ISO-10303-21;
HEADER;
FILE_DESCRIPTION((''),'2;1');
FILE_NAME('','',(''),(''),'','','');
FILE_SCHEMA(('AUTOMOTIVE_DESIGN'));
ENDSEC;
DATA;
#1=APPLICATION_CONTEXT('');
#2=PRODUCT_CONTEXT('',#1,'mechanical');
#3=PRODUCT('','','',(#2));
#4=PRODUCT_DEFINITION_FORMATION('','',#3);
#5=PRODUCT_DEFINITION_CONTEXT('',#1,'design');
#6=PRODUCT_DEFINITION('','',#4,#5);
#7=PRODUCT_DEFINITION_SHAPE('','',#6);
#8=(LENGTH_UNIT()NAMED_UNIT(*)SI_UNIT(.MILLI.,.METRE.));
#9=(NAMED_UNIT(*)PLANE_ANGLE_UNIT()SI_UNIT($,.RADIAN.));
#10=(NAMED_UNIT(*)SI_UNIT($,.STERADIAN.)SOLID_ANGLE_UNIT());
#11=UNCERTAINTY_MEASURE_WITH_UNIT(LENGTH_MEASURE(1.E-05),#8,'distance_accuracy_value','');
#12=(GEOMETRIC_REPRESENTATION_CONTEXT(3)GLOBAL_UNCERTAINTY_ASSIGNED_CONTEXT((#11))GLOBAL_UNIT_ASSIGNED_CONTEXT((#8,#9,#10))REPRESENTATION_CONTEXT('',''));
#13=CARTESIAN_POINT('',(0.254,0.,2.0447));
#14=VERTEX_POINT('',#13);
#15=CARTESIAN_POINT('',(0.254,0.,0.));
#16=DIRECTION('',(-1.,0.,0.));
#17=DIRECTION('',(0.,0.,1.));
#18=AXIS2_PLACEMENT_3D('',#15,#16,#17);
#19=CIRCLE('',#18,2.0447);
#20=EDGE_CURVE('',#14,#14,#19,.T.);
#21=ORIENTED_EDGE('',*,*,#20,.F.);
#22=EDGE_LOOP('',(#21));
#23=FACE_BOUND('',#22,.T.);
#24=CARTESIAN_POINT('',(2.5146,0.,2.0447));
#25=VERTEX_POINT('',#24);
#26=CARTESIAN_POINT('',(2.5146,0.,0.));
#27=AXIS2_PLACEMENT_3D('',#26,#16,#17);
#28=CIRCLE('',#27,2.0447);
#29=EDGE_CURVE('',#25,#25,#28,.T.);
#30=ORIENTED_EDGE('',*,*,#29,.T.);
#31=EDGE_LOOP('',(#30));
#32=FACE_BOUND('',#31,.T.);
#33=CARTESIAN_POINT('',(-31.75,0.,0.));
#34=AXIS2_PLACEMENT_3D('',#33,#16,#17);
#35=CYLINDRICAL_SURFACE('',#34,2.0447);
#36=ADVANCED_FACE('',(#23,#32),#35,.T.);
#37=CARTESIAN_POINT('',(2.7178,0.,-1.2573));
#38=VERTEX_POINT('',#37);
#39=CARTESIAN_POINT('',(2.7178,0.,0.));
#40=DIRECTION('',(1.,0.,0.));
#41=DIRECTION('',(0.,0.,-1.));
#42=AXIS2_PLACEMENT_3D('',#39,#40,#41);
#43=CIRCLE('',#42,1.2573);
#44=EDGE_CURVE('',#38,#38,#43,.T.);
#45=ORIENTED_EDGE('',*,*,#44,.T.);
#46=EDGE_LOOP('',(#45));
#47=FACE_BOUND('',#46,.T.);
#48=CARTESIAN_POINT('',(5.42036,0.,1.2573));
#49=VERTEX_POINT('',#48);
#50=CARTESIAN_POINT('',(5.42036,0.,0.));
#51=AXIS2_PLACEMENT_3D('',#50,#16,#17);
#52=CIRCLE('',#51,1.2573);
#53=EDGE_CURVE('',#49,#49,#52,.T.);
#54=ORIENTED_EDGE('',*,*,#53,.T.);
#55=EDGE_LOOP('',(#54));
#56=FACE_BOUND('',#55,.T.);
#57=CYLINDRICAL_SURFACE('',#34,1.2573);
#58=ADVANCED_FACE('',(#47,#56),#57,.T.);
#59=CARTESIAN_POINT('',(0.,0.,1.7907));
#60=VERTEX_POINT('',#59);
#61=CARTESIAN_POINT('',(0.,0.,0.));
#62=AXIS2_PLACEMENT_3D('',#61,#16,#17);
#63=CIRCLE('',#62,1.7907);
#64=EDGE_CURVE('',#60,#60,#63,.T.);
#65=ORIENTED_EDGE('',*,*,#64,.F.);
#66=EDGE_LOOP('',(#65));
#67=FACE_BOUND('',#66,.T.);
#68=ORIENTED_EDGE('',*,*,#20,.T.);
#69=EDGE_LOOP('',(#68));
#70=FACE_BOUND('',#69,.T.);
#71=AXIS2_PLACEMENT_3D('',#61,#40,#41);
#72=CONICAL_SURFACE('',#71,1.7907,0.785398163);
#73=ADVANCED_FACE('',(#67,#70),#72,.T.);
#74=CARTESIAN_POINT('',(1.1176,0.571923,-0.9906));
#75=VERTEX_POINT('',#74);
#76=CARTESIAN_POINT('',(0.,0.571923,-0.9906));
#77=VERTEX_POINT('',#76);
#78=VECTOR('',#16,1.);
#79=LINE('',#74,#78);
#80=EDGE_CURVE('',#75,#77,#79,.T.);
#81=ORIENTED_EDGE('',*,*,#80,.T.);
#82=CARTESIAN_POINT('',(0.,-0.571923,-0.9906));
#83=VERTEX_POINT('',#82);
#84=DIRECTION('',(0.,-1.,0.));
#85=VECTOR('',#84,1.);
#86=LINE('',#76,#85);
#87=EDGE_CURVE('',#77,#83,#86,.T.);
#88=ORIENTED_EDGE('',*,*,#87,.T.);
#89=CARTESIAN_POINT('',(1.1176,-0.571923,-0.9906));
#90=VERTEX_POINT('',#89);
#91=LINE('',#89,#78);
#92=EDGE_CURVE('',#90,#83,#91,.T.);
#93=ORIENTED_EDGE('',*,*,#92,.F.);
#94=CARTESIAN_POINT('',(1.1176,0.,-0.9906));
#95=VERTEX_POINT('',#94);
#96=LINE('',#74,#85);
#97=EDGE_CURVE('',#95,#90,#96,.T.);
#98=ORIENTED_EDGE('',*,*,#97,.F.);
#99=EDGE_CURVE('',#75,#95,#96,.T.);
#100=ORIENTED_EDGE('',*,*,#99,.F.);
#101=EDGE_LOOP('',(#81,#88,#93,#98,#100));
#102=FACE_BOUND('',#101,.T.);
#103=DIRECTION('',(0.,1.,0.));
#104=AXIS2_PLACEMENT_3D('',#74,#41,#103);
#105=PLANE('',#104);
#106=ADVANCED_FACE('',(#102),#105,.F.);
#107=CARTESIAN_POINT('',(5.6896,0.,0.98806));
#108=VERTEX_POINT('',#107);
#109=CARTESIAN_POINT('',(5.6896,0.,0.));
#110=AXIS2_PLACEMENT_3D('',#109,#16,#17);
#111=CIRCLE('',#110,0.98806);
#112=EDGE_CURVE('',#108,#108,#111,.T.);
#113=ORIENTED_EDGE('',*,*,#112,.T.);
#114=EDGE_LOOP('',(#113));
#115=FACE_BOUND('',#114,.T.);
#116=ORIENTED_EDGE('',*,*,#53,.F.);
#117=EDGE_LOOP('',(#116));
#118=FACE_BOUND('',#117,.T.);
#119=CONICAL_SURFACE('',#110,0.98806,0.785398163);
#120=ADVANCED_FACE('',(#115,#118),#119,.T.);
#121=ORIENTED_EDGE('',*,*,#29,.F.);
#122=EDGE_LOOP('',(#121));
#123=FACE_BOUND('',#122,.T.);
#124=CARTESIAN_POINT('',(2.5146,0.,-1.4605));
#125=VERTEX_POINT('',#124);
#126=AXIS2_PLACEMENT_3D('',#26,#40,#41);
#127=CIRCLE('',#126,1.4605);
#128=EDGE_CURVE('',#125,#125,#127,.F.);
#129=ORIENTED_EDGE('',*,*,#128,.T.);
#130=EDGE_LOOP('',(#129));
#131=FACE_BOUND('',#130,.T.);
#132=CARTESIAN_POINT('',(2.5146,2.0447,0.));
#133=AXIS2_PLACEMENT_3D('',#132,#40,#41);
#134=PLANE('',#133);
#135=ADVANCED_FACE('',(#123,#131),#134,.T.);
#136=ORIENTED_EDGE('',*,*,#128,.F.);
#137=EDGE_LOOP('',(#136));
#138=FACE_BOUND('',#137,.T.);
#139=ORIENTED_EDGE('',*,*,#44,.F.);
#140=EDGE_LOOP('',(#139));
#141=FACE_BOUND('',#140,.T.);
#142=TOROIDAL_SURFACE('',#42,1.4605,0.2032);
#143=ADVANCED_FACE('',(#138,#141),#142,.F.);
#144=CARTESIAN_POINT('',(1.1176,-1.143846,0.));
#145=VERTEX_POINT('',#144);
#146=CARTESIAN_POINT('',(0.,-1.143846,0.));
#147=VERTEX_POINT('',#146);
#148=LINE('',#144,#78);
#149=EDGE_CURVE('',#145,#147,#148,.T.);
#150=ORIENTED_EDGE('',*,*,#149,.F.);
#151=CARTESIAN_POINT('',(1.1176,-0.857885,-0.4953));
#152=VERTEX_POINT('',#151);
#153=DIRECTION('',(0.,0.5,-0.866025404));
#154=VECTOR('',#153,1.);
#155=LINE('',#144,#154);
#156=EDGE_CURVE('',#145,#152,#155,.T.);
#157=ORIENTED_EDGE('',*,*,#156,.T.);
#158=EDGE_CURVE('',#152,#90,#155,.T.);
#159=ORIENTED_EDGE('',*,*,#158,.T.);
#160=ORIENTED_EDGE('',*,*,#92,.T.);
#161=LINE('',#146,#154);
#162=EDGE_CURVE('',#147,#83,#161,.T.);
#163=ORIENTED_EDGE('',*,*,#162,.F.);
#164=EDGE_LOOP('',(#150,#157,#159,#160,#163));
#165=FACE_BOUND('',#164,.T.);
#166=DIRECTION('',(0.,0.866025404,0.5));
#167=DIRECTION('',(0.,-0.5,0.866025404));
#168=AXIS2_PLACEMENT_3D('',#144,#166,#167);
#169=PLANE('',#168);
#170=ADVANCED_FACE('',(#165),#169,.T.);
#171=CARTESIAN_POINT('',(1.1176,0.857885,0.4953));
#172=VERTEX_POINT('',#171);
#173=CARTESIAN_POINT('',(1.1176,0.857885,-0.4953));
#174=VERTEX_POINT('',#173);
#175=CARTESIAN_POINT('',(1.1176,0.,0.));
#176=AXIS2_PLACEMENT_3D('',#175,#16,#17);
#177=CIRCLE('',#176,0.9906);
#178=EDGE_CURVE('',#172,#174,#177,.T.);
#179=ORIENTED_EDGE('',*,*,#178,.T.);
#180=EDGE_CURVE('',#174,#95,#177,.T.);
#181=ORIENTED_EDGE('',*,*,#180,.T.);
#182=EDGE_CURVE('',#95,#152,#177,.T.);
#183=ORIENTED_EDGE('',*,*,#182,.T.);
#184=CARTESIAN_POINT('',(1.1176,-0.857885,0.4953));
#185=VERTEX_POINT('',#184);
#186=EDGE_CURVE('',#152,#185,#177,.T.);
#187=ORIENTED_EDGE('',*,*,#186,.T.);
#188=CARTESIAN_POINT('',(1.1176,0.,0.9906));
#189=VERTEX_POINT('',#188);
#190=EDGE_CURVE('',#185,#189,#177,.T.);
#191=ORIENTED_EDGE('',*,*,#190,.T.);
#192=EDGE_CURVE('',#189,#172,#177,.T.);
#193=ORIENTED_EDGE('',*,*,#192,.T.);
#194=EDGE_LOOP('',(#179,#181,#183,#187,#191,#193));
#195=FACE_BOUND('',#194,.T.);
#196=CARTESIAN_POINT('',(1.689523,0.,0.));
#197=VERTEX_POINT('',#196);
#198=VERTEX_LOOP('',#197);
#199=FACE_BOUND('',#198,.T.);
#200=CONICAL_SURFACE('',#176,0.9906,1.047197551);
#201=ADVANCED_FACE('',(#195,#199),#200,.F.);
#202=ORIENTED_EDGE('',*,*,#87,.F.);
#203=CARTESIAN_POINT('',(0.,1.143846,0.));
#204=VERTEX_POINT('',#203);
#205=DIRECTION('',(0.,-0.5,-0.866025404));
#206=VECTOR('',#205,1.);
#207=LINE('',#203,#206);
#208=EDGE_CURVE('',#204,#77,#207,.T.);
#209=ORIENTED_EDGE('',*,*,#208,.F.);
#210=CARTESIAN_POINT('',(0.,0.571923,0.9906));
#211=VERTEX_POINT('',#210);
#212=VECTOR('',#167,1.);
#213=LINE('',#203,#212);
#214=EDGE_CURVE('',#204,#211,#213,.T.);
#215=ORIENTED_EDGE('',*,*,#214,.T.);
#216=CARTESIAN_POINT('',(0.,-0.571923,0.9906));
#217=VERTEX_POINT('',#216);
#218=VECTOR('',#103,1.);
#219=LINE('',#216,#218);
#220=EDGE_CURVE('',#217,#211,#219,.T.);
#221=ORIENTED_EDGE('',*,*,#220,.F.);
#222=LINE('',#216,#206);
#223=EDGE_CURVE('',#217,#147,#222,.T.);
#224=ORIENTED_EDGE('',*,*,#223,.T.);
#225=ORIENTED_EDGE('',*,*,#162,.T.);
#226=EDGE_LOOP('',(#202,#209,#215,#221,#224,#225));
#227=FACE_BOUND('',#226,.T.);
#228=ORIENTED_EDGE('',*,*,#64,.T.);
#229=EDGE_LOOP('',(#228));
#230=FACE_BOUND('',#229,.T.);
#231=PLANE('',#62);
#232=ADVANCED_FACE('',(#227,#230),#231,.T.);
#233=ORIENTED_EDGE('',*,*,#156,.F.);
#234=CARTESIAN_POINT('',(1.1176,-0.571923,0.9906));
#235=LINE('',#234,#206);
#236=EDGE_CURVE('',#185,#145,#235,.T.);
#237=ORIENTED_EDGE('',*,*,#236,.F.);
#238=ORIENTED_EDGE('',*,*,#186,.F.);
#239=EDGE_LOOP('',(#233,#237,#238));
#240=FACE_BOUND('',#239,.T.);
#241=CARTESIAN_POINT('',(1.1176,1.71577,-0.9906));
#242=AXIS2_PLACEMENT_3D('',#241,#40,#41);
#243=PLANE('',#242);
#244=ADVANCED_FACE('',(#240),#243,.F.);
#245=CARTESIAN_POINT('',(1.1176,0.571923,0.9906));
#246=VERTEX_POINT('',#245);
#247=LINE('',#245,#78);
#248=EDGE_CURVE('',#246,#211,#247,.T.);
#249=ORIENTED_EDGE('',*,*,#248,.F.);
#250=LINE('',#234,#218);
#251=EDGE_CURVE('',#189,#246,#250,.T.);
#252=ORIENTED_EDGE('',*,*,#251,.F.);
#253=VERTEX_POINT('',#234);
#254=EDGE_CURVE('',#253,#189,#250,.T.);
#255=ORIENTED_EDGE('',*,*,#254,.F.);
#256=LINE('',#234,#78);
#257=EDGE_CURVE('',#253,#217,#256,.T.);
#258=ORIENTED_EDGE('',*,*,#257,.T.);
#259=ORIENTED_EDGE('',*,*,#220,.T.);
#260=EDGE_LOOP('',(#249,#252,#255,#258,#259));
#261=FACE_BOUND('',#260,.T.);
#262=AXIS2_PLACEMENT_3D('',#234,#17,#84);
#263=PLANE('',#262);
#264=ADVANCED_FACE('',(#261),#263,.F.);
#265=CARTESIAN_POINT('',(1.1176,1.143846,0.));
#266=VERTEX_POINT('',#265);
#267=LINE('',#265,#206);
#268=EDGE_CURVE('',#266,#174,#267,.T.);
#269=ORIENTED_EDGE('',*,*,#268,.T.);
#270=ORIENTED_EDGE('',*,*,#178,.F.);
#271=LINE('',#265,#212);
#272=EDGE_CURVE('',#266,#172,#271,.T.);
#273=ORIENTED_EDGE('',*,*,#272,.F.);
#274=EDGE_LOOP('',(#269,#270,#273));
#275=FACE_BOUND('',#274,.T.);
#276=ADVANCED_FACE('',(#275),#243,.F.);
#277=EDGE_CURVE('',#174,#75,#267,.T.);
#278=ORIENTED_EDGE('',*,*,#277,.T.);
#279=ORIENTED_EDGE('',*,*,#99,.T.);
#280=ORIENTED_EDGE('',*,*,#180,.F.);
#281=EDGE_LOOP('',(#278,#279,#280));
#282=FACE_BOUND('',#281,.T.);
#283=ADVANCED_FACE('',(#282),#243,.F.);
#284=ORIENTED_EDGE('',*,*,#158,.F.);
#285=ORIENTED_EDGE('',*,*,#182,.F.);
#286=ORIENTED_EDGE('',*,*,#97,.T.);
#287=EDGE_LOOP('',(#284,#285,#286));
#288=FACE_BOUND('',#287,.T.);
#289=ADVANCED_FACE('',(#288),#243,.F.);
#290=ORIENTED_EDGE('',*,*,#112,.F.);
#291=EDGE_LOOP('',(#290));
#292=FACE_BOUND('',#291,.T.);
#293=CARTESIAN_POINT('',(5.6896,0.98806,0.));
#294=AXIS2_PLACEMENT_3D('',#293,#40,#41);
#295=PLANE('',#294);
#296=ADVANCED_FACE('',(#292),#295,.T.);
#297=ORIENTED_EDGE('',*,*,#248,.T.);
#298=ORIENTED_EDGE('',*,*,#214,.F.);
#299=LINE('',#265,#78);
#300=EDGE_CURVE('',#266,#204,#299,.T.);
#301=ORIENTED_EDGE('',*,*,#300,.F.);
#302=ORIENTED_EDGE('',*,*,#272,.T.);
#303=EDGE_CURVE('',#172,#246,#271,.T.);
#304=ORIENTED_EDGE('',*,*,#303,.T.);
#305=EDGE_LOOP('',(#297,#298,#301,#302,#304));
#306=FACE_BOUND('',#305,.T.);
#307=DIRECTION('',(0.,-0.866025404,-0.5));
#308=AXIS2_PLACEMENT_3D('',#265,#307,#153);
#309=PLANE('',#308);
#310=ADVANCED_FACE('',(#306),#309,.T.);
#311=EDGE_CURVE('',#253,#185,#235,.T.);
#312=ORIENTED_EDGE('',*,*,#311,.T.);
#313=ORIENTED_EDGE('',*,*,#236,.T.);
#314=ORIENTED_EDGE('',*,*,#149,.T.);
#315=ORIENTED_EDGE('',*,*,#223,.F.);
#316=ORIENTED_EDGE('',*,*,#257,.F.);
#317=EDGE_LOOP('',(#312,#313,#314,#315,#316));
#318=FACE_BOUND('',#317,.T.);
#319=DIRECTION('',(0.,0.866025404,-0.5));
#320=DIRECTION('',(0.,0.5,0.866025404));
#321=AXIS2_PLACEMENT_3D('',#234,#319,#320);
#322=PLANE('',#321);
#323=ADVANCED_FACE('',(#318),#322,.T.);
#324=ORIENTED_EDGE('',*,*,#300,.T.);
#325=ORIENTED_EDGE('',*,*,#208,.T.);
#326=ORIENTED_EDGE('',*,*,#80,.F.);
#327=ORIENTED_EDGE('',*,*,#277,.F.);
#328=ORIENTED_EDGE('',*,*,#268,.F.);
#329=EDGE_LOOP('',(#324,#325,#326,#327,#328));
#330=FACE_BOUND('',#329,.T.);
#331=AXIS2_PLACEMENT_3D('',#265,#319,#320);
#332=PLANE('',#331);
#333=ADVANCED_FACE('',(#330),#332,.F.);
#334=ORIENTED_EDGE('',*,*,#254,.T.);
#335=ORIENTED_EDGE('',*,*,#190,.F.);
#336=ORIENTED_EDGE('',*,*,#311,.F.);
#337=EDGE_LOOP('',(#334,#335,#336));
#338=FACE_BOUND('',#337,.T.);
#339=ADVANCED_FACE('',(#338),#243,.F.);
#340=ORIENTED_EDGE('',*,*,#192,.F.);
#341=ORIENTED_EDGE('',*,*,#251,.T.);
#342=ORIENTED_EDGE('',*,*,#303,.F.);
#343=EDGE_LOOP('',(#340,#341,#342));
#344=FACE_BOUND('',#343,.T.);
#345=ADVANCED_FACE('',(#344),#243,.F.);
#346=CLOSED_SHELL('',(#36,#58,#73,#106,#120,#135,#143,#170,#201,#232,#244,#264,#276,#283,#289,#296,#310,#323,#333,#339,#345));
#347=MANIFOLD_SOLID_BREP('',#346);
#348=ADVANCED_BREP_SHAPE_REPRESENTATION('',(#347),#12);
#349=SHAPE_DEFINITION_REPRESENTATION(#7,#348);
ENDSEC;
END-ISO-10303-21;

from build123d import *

# Parameters (mm, degrees)
FILLET1_R   = 0.2032
HEX_2_DEPTH = 1.1176


with BuildPart() as part:
    # BodySke → Base-Revolve (revolve)
    with BuildSketch(Plane.XY, mode=Mode.PRIVATE) as base_revolve_sk:
        Polygon((0, 0), (0, 1.7907), (0.254, 2.0447), (2.5146, 2.0447), (2.5146, 1.2573), (5.42036, 1.2573), (5.6896, 0.98806), (5.6896, 0), align=None)
    revolve(base_revolve_sk.sketch.rotate(Axis((-31.75, 0, 0), (1, 0, 0)), 90), axis=Axis((-31.75, 0, 0), (1, 0, 0)))

    # Fillet1
    fillet1_edges = [part.edges().sort_by_distance(p)[0] for p in [
        (2.5146, 0, -1.2573),
    ]]
    fillet(fillet1_edges, radius=FILLET1_R)

    # Sketch2 → Hex-PreBroach (revolve, cut)
    with BuildSketch(Plane.XY, mode=Mode.PRIVATE) as hex_prebroach_sk:
        Polygon((0, 0.9906), (1.1176, 0.9906), (1.689523177, 0), (0, 0), align=None)
    revolve(hex_prebroach_sk.sketch.rotate(Axis((0, 0, 0), (1, 0, 0)), 90), axis=Axis((0, 0, 0), (1, 0, 0)), mode=Mode.SUBTRACT)

    # Sketch3 → Hex 2 (cut)
    with BuildSketch(Plane(origin=(0, 0, 0), x_dir=(0, 0.500000000000001, 0.866025403784438), z_dir=(-1, 0, 0))):
        Polygon((0.571923177, 0.9906), (-0.571923177, 0.9906), (-1.143846353, 0), (-0.571923177, -0.9906), (0.571923177, -0.9906), (1.143846353, 0), align=None)
    extrude(amount=-HEX_2_DEPTH, mode=Mode.SUBTRACT)


solid = part.part
